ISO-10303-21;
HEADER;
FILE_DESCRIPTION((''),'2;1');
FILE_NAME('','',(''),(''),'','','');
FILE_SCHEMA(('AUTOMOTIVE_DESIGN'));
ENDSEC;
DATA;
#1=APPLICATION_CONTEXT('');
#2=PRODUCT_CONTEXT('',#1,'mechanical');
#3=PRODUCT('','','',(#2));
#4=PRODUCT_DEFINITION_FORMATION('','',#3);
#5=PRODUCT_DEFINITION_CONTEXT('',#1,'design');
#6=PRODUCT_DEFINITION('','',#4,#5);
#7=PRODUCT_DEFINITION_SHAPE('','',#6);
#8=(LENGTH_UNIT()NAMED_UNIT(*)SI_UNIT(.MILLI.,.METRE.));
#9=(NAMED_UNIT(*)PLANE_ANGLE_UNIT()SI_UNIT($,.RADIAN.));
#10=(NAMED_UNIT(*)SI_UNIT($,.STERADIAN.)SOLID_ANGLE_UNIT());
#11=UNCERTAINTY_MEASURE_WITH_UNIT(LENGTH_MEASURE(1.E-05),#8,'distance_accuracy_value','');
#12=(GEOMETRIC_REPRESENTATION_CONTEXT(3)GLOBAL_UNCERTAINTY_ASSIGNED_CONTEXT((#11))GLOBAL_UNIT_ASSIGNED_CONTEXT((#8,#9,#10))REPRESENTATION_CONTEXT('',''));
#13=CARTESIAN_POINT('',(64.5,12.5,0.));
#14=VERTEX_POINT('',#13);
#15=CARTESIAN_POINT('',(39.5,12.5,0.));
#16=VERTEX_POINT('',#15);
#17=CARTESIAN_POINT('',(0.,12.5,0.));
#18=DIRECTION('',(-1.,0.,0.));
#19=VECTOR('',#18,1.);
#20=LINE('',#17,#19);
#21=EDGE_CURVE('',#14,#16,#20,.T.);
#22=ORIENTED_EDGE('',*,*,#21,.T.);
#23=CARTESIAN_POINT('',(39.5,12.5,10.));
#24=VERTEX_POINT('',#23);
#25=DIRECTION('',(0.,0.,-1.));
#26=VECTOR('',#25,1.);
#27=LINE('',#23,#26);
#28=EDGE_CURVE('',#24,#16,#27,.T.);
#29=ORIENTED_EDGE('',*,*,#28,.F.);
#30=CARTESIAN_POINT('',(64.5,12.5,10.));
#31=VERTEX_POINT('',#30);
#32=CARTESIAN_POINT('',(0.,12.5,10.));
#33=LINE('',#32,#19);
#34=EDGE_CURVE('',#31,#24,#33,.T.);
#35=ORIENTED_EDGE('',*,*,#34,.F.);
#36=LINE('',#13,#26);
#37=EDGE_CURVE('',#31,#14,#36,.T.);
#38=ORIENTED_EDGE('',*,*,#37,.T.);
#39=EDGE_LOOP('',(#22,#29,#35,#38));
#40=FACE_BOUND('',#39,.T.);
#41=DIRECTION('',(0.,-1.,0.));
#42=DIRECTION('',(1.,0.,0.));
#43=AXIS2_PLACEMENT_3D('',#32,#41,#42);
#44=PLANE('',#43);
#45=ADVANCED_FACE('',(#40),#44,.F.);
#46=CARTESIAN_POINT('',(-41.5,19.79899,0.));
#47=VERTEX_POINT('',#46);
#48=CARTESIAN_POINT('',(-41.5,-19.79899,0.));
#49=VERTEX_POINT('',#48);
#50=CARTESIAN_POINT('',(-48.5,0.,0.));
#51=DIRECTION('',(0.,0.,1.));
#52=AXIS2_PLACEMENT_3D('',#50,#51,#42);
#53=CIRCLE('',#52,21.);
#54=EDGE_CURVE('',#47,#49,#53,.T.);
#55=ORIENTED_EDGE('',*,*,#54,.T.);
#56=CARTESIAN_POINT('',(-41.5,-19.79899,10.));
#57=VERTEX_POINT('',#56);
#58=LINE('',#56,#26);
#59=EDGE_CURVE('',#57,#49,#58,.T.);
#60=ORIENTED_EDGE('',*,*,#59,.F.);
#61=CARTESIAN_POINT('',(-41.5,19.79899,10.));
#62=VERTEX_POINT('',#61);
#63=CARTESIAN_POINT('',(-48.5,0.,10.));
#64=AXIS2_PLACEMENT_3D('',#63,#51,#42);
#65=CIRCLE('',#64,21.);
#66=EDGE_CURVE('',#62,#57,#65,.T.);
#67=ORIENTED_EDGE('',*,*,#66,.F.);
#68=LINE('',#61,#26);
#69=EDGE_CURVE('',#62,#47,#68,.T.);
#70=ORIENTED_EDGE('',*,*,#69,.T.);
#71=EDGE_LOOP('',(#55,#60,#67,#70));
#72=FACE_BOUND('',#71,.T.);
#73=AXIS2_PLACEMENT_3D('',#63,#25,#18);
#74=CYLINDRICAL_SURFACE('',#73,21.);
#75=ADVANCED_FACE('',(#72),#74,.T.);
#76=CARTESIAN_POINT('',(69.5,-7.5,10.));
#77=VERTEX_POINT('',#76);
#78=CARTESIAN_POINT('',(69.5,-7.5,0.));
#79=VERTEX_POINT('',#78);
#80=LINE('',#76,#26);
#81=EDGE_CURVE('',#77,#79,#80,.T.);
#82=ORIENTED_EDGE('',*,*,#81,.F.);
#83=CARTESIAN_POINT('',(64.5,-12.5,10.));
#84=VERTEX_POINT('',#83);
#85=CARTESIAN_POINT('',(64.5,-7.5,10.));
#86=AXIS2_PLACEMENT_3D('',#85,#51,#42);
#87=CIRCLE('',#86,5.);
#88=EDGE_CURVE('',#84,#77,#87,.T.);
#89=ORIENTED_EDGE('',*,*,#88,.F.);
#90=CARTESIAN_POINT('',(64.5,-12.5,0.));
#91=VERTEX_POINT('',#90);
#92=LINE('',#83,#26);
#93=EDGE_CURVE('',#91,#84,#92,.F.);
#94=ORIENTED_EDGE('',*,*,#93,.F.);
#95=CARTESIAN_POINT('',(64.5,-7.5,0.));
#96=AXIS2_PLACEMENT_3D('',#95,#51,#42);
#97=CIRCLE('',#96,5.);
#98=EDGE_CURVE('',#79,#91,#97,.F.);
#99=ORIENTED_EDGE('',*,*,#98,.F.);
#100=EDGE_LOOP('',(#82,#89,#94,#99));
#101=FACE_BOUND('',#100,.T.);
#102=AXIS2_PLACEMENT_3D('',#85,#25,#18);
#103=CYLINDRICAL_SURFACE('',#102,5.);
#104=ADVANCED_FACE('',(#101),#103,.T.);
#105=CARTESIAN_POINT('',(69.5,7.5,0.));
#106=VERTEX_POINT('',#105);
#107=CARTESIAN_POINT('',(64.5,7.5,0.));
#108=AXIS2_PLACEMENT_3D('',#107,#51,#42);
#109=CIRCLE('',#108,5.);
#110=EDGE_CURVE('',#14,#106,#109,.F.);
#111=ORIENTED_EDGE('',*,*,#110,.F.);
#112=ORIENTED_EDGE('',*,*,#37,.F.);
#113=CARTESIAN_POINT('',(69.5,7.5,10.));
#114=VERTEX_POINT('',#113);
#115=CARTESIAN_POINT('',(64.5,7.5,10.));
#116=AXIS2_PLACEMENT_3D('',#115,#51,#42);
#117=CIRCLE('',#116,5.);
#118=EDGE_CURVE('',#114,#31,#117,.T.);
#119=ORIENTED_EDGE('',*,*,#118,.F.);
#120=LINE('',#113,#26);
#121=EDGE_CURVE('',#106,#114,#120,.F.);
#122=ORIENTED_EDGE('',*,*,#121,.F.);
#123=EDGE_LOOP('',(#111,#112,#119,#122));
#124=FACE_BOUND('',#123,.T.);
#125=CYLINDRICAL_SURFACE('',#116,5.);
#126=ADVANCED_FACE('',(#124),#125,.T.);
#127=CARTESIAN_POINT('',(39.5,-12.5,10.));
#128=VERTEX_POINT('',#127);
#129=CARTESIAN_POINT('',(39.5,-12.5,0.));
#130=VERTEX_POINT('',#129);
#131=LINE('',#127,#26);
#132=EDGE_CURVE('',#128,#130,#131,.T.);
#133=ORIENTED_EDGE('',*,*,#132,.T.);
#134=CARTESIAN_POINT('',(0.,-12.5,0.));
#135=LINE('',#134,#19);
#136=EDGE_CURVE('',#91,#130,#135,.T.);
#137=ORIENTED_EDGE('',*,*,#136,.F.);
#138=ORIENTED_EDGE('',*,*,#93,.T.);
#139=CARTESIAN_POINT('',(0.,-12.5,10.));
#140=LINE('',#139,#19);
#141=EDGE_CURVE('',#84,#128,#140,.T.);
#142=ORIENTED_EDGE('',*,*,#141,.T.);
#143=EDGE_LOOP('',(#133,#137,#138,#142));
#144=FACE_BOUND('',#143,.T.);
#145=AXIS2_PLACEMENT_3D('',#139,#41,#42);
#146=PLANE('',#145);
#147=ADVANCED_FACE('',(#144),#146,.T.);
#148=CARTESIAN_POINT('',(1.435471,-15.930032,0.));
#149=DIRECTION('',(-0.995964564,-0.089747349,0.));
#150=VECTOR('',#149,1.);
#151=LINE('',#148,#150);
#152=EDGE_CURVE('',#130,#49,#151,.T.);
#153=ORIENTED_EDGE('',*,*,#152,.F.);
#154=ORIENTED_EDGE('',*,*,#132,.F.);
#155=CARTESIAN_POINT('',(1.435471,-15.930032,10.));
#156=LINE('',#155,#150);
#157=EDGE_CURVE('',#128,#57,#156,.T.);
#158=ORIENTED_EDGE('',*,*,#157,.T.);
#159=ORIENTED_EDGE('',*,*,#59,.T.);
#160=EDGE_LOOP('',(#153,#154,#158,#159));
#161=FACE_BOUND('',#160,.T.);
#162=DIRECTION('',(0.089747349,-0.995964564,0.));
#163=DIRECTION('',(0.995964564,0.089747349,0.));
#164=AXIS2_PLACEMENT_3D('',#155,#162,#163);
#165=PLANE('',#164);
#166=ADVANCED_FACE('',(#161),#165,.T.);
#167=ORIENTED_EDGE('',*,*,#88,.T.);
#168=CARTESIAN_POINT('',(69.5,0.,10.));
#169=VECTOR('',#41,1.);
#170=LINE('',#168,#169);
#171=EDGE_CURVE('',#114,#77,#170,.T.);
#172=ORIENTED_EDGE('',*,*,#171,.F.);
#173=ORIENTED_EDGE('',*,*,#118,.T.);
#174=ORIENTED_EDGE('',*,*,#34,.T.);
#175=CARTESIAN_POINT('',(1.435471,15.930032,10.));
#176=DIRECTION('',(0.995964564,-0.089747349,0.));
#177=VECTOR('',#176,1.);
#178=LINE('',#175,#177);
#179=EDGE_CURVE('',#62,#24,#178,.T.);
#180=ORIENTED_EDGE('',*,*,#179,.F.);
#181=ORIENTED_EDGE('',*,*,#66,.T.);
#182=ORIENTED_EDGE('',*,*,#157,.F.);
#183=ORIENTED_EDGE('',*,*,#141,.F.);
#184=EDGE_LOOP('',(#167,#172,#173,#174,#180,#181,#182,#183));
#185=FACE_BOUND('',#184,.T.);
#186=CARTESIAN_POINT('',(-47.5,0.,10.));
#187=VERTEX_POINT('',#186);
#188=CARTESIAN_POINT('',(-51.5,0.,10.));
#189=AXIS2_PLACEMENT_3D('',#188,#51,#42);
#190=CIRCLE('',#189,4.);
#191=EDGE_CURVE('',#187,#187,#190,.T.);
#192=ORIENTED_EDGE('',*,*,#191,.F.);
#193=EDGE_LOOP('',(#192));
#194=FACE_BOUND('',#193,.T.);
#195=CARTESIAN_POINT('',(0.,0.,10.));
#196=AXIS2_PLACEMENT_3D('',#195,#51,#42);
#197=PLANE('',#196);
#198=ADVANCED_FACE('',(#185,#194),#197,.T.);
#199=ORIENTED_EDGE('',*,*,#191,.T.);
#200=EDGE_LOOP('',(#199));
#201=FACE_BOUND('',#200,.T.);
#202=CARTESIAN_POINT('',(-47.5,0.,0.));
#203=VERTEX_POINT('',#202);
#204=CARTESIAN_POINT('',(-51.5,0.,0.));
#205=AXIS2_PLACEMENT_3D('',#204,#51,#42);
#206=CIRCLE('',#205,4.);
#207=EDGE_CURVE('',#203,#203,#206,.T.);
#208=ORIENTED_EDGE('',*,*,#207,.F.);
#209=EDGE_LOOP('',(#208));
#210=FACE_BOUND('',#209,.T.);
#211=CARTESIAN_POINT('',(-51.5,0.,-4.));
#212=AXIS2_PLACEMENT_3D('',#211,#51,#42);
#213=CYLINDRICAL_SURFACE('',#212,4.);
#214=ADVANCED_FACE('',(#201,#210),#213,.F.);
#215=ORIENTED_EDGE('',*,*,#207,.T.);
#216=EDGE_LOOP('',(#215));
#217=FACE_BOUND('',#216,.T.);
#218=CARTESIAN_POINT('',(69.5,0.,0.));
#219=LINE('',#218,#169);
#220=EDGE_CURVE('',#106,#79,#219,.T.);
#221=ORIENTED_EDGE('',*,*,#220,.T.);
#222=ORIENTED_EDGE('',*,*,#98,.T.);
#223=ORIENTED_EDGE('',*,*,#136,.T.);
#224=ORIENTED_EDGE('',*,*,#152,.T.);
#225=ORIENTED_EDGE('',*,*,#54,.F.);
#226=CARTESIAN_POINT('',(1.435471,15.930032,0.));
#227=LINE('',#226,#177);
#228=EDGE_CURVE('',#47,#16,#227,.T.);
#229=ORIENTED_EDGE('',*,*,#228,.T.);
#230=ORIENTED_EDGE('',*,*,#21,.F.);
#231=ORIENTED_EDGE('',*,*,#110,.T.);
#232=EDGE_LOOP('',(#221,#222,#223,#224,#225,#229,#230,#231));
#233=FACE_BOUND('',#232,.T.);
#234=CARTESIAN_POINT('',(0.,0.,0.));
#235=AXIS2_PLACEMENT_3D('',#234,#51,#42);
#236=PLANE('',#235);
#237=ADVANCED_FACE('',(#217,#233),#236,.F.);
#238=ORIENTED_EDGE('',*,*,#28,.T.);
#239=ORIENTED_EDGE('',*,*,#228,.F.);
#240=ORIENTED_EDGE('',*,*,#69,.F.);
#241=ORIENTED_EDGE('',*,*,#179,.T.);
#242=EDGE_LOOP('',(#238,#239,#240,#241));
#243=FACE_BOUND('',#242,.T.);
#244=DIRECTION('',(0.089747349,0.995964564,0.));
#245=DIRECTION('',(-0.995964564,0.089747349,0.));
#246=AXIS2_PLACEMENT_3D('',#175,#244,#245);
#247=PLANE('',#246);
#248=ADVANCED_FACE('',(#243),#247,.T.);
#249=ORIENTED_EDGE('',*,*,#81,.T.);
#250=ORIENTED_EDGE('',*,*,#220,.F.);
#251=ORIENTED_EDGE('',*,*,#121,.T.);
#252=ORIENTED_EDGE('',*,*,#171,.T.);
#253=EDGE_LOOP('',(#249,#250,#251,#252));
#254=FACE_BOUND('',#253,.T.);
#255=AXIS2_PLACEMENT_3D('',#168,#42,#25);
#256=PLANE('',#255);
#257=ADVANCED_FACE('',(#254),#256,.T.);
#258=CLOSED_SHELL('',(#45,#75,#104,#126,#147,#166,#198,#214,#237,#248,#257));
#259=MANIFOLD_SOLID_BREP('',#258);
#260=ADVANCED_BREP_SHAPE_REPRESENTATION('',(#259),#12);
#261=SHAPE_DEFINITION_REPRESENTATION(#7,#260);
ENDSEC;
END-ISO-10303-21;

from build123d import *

# Parameters (mm, degrees)
SKETCH_1_W          = 30
SKETCH_1_H          = 25
EXTRUDE_1_DEPTH     = 10
FILLET_1_R          = 5
SKETCH_2_R          = 4
CUT_EXTRUDE_1_DEPTH = 14


with BuildPart() as part:
    # 草图1 → 凸台-拉伸1 (new body)
    with BuildSketch(Plane.XY):
        with BuildLine():
            ThreePointArc((-27.5, 0), (-31.353571801, 12.124355653), (-41.5, 19.798989873))
            ThreePointArc((-41.5, 19.798989873), (-44.948858447, 20.697569753), (-48.5, 21))
            ThreePointArc((-48.5, 21), (-63.349242405, 14.849242405), (-69.5, 0))
            ThreePointArc((-69.5, 0), (-63.349242405, -14.849242405), (-48.5, -21))
            ThreePointArc((-48.5, -21), (-44.948858447, -20.697569753), (-41.5, -19.798989873))
            ThreePointArc((-41.5, -19.798989873), (-31.353571801, -12.124355653), (-27.5, 0))
        make_face()
        with BuildLine():
            Line((39.5, 12.5), (-41.5, 19.798989873))
            ThreePointArc((-41.5, 19.798989873), (-31.353571801, 12.124355653), (-27.5, 0))
            ThreePointArc((-27.5, 0), (-31.353571801, -12.124355653), (-41.5, -19.798989873))
            Line((-41.5, -19.798989873), (39.5, -12.5))
            Line((39.5, -12.5), (39.5, 12.5))
        make_face()
        with Locations((54.5, 0)):
            Rectangle(SKETCH_1_W, SKETCH_1_H)
    extrude(amount=EXTRUDE_1_DEPTH)

    # 圆角1
    fillet_1_edges = [part.edges().sort_by_distance(p)[0] for p in [
        (69.5, 12.5, 5),
        (69.5, -12.5, 5),
    ]]
    fillet(fillet_1_edges, radius=FILLET_1_R)

    # 草图2 → 切除-拉伸1 (cut)
    with BuildSketch(Plane.XY.offset(10)):
        with Locations((-51.5, 0)):
            Circle(SKETCH_2_R)
    extrude(amount=-CUT_EXTRUDE_1_DEPTH, mode=Mode.SUBTRACT)


solid = part.part
